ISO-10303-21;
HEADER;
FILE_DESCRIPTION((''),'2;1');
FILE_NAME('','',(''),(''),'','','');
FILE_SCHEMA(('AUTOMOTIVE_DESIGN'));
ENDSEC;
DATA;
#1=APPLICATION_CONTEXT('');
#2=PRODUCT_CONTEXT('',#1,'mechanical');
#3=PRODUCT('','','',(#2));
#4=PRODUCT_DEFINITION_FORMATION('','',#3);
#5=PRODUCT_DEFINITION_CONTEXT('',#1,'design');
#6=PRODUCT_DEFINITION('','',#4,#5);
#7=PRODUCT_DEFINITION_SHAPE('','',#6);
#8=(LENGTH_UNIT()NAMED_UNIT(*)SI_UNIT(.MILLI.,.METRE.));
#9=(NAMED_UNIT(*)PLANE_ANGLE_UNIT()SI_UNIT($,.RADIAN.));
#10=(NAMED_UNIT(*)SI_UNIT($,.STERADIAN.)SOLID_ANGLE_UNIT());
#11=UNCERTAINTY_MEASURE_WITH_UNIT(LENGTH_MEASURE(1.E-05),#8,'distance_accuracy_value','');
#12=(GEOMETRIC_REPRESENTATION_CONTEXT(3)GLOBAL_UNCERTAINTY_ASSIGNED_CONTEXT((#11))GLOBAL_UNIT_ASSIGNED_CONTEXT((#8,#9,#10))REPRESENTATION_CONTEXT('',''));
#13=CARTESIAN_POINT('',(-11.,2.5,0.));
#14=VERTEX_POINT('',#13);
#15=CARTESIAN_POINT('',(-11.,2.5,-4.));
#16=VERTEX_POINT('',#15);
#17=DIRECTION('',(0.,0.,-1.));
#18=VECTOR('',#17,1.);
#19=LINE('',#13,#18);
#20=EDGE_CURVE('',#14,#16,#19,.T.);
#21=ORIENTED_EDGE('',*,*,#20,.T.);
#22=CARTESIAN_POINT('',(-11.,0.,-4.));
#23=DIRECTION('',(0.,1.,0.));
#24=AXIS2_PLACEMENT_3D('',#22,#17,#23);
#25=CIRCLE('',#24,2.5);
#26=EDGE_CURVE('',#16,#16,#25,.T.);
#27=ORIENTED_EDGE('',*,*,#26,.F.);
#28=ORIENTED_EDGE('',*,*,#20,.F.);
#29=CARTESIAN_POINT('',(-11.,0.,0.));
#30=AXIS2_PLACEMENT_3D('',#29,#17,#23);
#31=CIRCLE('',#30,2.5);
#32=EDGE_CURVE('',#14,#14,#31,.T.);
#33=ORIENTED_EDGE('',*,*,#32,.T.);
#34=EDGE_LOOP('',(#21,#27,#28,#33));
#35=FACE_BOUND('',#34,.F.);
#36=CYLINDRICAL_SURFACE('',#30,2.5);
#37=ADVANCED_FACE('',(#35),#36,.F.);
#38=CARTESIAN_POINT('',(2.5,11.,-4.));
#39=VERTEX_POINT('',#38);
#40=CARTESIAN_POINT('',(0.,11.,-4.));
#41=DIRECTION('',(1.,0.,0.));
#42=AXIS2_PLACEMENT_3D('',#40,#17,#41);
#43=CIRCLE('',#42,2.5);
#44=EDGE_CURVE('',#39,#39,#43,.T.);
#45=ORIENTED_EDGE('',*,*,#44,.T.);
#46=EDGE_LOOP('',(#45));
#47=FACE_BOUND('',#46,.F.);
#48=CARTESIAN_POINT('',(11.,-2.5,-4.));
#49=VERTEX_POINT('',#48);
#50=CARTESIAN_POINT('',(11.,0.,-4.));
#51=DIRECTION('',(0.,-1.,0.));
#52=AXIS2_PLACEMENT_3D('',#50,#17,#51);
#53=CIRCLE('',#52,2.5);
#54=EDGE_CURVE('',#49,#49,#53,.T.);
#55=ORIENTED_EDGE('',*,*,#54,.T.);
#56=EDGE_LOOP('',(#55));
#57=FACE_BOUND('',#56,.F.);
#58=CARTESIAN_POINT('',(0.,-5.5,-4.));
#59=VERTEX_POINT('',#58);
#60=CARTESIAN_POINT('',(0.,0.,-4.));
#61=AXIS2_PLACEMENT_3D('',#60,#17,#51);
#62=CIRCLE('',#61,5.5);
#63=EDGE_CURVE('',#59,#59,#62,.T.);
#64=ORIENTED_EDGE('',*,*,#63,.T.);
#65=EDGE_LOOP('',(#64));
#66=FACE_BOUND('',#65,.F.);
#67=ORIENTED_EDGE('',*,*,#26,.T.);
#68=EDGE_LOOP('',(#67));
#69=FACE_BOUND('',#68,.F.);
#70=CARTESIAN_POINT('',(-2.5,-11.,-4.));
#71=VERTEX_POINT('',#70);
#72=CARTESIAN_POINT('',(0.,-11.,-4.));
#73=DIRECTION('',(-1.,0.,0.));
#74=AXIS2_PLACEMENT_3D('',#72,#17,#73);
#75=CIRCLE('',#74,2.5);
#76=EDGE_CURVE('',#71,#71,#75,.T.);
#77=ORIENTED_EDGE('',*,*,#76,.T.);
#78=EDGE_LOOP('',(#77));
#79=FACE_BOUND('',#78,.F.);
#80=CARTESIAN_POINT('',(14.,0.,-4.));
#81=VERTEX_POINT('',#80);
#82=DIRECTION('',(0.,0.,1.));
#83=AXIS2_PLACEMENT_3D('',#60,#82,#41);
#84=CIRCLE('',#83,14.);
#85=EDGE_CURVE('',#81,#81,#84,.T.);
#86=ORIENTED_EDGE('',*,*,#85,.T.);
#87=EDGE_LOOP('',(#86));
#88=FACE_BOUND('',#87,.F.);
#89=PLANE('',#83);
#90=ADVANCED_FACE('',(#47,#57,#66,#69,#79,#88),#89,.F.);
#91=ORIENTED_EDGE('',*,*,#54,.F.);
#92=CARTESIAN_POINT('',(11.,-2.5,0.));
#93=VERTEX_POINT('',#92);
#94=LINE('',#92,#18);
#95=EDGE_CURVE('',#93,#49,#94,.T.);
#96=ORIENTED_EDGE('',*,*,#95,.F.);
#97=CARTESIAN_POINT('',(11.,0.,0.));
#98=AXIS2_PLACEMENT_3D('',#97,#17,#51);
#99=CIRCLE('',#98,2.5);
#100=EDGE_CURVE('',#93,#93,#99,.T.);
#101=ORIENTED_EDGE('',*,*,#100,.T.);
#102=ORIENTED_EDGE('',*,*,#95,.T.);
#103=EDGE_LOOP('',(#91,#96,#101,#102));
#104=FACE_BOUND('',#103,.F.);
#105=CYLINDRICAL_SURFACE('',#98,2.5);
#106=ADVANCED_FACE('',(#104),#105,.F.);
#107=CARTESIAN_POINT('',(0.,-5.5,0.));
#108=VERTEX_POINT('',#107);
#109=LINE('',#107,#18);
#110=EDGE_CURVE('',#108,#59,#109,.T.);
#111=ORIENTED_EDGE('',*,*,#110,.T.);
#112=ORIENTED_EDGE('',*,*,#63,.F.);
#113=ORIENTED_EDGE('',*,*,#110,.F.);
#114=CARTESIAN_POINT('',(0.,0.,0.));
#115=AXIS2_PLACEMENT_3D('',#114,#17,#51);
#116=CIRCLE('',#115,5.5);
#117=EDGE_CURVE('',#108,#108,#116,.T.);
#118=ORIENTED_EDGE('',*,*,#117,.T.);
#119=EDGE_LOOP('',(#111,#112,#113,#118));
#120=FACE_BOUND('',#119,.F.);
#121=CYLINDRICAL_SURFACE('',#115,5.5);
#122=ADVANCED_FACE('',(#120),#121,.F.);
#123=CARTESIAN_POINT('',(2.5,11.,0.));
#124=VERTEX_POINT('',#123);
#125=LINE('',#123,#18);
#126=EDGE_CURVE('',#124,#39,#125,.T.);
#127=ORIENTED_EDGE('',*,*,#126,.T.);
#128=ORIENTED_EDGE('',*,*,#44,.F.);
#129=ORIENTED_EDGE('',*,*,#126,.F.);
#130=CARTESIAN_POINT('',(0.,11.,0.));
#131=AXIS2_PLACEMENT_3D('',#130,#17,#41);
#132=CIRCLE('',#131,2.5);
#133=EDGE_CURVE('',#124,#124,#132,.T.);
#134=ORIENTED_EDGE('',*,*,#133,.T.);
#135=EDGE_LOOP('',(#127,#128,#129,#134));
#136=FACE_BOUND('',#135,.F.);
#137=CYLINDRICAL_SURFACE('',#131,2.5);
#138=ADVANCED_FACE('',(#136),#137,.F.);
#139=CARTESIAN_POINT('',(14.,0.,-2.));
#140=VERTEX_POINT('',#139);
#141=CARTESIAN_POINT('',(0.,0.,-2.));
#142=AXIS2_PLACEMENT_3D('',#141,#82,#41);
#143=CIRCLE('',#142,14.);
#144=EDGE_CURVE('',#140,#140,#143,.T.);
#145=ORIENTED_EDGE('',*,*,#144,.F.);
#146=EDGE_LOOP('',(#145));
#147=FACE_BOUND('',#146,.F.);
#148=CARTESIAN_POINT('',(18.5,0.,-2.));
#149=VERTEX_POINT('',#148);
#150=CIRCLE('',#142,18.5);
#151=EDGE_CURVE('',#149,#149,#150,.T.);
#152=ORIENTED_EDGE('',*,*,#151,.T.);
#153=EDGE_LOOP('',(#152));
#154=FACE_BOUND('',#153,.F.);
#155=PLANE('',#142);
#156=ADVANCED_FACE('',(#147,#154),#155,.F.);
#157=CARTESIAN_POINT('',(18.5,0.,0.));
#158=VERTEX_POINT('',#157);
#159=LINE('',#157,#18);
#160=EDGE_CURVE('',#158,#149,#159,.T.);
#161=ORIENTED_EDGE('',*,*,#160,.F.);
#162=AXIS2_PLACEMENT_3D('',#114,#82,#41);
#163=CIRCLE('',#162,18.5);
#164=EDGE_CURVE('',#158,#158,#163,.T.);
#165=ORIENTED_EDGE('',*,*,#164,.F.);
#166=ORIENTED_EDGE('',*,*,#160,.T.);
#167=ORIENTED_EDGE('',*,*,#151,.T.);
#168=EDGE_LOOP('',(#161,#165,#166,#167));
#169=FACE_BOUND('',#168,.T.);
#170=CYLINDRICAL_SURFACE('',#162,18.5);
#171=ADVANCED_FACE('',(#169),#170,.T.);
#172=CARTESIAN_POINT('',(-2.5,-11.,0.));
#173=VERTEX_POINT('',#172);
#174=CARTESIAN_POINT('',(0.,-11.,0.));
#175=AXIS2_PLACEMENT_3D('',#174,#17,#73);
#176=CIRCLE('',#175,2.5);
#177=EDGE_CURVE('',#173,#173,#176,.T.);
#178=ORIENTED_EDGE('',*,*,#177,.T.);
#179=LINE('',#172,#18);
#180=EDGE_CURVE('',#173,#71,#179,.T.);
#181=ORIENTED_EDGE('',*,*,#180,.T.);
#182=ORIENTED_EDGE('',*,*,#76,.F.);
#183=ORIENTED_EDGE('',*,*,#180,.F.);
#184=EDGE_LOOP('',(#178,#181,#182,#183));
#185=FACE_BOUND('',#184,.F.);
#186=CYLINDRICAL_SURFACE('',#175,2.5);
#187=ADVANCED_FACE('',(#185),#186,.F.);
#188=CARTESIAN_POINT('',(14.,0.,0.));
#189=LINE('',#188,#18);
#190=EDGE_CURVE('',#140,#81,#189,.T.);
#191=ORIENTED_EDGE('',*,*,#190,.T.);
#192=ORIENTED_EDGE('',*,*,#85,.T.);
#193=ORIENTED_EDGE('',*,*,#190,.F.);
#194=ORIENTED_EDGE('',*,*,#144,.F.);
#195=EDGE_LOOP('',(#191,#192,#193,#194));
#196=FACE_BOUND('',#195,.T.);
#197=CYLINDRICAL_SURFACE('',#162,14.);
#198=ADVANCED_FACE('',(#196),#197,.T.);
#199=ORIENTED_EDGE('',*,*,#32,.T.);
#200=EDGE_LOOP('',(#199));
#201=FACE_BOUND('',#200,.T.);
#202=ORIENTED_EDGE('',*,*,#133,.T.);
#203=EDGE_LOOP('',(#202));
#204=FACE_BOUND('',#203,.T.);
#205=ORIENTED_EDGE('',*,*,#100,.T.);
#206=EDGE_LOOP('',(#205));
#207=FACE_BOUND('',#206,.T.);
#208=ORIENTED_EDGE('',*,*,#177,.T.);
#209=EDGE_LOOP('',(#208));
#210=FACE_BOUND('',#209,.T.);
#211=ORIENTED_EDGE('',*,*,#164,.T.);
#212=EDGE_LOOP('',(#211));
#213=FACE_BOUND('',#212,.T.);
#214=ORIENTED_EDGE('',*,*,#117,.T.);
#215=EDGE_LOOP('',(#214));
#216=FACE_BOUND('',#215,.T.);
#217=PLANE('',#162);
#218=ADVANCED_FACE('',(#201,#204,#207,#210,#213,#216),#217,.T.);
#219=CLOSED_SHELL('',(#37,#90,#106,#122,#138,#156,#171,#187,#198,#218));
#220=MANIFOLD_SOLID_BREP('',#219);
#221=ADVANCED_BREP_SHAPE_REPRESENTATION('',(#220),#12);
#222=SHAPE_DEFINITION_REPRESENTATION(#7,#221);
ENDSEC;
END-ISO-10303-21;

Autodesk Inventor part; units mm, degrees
ref_plane "YZ Plane" through (0, 0, 0) normal (1, 0, 0) x (0, 1, 0)
ref_plane "XZ Plane" through (0, 0, 0) normal (0, 1, 0) x (-1, 0, 0)
ref_plane "XY Plane" through (0, 0, 0) normal (0, 0, 1) x (1, 0, 0)
sketch "Sketch1" plane through (0, 0, 0) normal (0, 0, 1) x (1, 0, 0)
  circle A0 centre (0, 0) radius 14
  circle A1 centre (0, 0) radius 18.5
  line L0 (0, 0) -> (11, 0) construction
  dimension "d0" = 28
  dimension "d1" = 37
  dimension "d6" = 11
extrude "Extrusion1" add sketch "Sketch1" against normal blind 2 contours A0 | A1
extrude "Extrusion2" add sketch "Sketch1" against normal blind 4 contours A0
hole "Hole1" at (11, 0, 0) direction (0, 0, -1) diameter 5 end through all
pattern_circular "Circular Pattern1" count 4 over 360 about axis through (0, 0, -10) along (0, 0, 1) of "Hole1"
hole "Hole2" at (0, 0, 0) direction (0, 0, -1) diameter 11 end through all
properties part number "arm_coupler2" material "ABS Plastic"
